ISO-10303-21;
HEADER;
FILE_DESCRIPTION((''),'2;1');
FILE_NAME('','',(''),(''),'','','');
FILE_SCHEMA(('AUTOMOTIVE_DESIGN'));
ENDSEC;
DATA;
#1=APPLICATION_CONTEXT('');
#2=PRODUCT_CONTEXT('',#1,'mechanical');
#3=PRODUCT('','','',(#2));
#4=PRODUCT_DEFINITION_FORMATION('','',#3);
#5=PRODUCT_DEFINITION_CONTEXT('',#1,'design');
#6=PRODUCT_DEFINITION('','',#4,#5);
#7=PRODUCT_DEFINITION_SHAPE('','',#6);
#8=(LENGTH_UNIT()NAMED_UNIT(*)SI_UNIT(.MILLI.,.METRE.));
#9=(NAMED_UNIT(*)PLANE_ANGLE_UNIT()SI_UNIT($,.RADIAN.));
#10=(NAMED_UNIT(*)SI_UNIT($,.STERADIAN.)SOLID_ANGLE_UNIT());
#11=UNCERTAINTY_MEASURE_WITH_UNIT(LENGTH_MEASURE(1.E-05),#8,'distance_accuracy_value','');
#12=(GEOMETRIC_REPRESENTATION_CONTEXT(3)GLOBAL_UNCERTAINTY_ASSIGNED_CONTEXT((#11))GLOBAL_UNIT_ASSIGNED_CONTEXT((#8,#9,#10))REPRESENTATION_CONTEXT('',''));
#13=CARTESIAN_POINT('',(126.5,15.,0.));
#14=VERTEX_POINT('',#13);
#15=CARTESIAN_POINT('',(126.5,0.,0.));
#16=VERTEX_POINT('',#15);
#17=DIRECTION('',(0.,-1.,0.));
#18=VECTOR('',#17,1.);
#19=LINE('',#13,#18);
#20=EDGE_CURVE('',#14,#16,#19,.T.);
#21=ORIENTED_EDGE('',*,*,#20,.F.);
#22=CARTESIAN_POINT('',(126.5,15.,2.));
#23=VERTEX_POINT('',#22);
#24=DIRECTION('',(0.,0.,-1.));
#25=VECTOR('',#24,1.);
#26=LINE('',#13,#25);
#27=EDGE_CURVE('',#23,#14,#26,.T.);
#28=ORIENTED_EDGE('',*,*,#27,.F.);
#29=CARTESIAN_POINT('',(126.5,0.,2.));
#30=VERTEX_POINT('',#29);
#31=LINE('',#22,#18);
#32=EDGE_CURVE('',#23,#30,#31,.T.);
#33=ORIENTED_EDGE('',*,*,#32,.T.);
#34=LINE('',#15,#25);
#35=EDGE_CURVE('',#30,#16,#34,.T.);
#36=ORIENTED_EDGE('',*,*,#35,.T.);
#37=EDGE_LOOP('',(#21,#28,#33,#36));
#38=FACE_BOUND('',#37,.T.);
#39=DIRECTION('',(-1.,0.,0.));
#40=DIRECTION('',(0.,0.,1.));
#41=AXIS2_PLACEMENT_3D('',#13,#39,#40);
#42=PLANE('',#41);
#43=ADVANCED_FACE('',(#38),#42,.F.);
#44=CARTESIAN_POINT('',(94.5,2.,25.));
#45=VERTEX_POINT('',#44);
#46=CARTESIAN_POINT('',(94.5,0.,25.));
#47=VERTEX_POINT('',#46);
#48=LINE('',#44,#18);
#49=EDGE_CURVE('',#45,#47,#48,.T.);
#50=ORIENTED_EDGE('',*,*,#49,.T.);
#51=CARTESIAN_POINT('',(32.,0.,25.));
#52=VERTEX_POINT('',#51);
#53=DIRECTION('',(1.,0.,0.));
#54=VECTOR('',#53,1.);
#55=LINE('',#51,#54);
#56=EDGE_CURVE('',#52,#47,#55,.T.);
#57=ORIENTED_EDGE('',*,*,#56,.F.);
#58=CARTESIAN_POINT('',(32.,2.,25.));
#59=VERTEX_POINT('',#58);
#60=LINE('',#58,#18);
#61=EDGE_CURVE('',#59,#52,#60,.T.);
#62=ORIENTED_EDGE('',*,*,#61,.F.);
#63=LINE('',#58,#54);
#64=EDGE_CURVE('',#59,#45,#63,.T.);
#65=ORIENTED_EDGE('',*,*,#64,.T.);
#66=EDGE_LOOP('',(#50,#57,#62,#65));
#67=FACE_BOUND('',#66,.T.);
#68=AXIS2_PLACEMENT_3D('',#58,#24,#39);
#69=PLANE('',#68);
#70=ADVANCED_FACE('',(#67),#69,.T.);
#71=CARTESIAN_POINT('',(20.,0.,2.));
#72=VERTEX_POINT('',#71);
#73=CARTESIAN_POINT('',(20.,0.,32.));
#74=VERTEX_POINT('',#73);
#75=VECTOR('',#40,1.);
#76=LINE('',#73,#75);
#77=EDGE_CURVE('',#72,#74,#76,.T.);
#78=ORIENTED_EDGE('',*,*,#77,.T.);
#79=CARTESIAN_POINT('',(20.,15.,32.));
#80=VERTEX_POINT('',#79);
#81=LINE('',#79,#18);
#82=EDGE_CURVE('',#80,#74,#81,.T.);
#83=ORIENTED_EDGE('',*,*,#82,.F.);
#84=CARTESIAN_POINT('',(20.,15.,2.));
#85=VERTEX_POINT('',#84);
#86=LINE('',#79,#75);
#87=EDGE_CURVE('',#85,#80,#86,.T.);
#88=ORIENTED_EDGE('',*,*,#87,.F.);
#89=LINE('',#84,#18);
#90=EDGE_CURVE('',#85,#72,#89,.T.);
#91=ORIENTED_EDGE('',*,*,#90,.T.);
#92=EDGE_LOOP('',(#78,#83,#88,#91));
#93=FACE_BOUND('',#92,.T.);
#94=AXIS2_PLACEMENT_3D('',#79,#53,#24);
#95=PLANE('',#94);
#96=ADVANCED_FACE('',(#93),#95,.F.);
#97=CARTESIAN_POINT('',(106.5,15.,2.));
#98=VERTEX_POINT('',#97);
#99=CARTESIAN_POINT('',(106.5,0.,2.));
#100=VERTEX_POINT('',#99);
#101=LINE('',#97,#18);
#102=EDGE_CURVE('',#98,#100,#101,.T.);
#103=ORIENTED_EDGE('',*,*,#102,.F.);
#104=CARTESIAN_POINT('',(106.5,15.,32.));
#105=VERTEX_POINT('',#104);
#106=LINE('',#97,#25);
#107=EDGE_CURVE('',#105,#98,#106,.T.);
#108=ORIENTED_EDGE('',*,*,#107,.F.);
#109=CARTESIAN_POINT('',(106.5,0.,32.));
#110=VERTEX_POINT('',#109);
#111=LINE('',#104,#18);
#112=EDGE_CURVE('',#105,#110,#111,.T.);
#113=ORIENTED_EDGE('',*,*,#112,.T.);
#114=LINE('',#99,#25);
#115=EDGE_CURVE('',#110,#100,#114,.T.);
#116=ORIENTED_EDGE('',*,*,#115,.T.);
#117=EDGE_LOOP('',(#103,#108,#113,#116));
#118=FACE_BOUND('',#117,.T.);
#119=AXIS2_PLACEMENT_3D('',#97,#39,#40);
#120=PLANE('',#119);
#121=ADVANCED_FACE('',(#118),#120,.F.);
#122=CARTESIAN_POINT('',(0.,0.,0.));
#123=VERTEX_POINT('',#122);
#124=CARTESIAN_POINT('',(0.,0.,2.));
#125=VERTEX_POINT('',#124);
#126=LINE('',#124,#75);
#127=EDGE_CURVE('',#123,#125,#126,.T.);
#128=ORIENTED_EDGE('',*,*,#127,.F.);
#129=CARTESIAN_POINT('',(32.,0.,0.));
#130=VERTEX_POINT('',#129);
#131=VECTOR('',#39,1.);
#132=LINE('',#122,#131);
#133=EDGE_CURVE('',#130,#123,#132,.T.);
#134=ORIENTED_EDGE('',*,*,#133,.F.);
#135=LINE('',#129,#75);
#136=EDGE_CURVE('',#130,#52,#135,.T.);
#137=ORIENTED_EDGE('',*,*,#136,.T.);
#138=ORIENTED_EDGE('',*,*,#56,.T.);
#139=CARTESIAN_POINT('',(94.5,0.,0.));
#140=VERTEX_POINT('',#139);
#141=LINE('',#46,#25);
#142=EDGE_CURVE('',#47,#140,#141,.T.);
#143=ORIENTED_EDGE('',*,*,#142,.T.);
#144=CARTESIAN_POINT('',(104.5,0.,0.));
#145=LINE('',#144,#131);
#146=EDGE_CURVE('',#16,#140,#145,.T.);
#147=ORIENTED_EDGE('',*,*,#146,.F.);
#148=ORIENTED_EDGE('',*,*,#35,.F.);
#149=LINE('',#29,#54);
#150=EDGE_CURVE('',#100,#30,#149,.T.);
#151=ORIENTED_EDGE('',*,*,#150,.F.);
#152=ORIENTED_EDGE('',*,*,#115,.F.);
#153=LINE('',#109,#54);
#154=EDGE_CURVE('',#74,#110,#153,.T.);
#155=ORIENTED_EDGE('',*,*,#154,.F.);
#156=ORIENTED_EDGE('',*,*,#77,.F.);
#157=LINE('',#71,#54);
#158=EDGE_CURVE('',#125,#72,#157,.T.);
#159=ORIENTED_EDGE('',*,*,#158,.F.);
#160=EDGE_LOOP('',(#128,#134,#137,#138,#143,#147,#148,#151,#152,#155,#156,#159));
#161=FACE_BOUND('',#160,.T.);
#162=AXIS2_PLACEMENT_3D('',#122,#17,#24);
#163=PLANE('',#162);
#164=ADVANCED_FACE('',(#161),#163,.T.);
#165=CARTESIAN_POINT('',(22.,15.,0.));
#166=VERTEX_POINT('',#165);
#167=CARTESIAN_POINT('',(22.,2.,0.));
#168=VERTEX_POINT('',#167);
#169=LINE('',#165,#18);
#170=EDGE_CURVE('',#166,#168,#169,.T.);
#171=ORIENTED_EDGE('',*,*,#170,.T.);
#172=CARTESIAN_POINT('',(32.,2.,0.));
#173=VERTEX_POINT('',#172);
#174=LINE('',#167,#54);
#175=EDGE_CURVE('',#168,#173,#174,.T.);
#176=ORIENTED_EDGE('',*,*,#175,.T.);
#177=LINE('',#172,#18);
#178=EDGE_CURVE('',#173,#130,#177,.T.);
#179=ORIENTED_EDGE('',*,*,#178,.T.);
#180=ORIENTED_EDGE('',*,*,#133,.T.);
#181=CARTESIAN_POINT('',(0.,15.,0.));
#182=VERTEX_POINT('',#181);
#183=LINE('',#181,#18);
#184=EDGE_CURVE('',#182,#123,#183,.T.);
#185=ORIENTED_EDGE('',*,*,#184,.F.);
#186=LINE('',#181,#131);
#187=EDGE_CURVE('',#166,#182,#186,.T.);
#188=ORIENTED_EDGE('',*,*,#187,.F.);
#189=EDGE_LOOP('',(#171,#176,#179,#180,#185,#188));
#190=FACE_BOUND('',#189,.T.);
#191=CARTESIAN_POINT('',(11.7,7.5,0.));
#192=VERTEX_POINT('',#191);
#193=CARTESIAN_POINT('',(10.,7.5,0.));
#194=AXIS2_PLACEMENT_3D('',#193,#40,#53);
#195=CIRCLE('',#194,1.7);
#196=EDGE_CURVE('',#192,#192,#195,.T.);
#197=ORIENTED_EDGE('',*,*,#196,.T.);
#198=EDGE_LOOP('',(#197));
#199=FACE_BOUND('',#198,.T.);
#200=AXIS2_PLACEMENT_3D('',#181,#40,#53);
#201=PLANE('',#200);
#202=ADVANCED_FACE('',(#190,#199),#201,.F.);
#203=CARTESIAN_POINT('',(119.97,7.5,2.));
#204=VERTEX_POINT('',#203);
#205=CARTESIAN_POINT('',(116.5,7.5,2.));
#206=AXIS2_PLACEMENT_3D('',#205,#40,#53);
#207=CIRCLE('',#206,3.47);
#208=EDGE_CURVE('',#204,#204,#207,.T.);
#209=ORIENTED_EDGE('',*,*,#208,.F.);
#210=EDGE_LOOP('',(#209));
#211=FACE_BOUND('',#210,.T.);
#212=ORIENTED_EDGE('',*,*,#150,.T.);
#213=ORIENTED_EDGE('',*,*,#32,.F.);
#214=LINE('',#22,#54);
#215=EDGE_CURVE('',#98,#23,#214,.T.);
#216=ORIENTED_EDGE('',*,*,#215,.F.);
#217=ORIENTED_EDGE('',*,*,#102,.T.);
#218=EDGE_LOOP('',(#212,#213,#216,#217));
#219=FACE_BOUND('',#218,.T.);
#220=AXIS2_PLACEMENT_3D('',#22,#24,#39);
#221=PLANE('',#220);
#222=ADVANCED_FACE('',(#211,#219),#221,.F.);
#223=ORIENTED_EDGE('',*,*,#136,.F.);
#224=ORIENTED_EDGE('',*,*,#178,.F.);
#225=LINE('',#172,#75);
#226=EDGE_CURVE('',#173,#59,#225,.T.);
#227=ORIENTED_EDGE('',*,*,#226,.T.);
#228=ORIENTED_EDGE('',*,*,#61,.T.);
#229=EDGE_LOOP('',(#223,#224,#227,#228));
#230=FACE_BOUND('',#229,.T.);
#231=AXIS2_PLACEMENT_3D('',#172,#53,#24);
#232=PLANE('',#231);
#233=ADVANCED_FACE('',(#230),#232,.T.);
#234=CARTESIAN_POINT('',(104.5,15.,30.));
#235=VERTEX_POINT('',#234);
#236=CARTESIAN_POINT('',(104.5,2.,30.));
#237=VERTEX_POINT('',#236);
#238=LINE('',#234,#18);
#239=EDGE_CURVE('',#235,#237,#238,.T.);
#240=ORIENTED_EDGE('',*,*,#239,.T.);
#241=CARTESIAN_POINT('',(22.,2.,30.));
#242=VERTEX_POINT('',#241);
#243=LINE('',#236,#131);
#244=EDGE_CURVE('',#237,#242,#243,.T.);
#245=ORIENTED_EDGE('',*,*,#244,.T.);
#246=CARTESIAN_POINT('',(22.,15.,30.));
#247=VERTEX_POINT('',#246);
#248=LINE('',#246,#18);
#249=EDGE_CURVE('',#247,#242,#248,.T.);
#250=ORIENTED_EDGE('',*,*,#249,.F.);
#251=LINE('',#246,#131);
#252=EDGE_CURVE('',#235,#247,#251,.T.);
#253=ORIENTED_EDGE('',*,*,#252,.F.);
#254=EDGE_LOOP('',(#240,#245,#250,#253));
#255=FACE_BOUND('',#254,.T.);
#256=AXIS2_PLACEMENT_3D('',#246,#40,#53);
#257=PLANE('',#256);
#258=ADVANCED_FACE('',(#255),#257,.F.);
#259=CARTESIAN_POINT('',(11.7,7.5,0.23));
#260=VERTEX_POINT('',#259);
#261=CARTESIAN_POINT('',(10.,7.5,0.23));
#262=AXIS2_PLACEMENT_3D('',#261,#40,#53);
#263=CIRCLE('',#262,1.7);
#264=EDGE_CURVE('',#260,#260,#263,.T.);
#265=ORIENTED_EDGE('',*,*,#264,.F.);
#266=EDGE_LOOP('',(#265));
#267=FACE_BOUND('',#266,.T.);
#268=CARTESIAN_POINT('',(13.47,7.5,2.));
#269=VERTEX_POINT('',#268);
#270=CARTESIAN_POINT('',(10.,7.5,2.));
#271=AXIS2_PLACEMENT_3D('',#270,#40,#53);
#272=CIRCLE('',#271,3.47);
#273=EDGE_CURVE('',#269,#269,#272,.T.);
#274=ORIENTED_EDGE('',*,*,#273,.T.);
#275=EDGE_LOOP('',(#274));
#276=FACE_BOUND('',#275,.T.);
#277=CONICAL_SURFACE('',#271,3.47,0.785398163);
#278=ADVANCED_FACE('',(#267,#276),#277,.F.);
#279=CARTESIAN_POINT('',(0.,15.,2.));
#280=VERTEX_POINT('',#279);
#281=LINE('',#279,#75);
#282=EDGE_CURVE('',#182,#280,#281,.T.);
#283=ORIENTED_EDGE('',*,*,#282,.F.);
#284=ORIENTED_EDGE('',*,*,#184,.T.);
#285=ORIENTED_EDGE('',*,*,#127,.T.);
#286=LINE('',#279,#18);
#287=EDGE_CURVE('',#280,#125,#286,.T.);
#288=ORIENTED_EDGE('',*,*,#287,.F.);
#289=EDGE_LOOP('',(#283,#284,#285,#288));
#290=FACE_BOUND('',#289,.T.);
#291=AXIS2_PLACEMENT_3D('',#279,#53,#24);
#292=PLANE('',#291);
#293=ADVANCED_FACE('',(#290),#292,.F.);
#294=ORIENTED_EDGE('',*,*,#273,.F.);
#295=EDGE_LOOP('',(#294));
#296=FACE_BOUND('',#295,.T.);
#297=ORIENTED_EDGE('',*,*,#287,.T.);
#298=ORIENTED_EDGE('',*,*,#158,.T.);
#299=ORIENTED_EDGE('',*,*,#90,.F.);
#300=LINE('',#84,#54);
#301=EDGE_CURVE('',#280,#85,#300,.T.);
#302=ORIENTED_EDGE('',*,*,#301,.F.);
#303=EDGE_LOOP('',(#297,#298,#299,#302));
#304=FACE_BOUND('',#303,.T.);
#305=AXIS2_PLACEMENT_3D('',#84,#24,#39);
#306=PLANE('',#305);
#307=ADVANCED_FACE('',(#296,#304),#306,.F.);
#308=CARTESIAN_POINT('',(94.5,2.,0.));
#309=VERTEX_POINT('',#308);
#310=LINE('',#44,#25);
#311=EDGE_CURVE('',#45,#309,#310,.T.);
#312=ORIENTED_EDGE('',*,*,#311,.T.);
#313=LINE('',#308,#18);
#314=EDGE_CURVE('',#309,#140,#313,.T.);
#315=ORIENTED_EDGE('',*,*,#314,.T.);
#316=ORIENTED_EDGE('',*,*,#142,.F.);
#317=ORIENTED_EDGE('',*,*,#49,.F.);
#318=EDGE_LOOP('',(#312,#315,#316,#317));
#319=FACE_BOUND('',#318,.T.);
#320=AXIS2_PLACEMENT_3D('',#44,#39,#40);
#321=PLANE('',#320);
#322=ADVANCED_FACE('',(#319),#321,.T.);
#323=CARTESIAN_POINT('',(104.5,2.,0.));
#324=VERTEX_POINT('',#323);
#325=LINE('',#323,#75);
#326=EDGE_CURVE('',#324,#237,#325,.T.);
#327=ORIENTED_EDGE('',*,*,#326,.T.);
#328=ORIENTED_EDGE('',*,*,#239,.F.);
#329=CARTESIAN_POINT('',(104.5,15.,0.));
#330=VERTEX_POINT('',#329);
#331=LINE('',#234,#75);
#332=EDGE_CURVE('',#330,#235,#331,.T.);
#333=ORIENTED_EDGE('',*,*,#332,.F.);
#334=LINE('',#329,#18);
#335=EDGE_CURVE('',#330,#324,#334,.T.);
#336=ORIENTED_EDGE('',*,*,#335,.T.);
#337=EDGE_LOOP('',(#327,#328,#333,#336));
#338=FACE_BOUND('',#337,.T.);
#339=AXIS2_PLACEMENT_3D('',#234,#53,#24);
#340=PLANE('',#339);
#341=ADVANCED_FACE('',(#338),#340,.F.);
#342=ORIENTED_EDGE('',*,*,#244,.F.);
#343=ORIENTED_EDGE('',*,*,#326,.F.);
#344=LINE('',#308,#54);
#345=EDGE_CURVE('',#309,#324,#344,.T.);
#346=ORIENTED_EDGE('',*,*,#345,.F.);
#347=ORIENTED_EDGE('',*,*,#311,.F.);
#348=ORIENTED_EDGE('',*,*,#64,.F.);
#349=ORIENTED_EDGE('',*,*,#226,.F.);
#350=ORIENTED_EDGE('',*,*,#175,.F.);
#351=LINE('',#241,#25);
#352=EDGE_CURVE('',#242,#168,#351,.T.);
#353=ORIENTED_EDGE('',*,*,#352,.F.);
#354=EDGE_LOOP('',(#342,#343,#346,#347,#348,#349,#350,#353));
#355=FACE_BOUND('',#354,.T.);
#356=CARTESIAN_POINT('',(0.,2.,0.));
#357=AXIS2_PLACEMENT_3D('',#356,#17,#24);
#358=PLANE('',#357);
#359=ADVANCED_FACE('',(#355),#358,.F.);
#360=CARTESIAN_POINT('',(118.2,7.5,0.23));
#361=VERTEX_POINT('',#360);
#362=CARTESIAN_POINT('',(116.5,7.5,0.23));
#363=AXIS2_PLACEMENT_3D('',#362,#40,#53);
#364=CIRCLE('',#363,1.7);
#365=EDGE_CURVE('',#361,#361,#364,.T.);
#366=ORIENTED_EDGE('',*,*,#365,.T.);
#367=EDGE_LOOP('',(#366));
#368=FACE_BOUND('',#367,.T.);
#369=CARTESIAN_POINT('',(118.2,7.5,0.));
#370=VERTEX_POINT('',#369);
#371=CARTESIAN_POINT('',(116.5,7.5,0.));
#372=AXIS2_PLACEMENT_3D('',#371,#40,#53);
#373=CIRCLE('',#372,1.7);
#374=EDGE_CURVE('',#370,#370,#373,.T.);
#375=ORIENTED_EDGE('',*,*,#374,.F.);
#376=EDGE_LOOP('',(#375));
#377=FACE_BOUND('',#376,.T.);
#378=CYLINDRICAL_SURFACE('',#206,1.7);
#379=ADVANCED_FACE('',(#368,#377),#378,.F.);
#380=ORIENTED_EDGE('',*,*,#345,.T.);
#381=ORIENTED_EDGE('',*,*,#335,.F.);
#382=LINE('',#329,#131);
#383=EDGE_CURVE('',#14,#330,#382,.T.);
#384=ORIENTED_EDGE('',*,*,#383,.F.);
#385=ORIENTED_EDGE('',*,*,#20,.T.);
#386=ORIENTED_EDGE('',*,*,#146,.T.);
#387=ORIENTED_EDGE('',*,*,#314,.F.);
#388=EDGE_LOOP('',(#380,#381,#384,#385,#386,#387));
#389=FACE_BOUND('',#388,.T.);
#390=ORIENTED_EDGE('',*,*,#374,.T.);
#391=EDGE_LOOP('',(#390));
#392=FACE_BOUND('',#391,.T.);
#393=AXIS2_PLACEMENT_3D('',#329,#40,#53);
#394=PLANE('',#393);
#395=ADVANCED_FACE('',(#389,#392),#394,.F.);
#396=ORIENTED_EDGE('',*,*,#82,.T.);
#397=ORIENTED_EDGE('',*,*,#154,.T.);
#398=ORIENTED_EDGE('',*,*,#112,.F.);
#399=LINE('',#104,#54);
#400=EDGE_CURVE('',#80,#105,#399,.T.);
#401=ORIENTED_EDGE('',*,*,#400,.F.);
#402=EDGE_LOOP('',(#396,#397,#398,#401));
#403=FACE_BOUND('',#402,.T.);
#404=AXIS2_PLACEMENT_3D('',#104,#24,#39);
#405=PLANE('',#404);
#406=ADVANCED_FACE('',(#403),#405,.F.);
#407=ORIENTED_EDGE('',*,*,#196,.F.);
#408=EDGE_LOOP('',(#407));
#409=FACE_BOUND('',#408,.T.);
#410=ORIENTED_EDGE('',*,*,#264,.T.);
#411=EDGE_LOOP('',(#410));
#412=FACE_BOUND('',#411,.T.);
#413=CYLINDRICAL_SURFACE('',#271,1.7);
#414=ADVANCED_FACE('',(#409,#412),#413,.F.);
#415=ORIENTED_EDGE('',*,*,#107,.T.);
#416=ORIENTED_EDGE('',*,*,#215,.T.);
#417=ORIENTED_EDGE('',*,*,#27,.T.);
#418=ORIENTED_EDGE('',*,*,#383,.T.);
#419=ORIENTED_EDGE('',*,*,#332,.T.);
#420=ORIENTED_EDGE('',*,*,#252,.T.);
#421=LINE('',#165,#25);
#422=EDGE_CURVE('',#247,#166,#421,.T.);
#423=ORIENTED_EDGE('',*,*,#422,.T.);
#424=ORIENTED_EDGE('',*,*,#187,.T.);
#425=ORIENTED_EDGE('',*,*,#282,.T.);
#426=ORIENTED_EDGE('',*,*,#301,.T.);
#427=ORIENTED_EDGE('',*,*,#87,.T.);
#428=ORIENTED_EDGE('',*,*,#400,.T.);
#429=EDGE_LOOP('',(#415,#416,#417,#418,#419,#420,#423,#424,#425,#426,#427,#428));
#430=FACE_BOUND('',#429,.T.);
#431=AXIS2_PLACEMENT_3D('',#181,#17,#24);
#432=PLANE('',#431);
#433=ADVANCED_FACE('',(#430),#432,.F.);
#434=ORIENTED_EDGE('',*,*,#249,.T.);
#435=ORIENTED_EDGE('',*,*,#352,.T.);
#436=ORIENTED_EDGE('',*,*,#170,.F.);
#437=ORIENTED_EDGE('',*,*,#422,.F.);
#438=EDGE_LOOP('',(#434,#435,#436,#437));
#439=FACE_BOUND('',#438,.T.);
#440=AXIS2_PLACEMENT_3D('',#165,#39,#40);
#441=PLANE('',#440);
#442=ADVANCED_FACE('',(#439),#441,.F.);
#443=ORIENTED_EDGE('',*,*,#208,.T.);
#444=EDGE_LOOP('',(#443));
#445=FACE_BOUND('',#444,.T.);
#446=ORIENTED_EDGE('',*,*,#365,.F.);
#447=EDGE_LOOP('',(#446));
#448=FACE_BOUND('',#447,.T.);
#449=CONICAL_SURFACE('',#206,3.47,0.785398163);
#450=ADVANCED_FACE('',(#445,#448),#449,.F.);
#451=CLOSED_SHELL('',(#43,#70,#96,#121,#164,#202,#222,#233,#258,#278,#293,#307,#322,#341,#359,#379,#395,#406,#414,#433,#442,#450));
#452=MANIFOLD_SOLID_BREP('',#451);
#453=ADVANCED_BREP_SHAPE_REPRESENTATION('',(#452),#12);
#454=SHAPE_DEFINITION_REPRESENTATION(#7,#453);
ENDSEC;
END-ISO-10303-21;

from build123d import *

# Parameters (mm, degrees)
AUFSATZ_LINEAR_AUSTRAGEN1_DEPTH                      = 15
AUFSATZ_LINEAR_AUSTRAGEN2_DEPTH                      = 2
FORMSENKUNG_F_R_M3_SENKSCHRAUBE_MIT_INNE_D           = 3.4
FORMSENKUNG_F_R_M3_SENKSCHRAUBE_MIT_INNE_DEPTH       = 10
FORMSENKUNG_F_R_M3_SENKSCHRAUBE_MIT_INNE_CSINK_D     = 6.94
FORMSENKUNG_F_R_M3_SENKSCHRAUBE_MIT_INNE_CSINK_ANGLE = 90
FORMSENKUNG_F_R_M3_SENKSCHRAUBE_MIT_INNE_TIP         = 1.021463052


with BuildPart() as part:
    # Skizze1 → Aufsatz-Linear austragen1 (new body)
    with BuildSketch(Plane(origin=(0, 0, 0), x_dir=(1, 0, 0), z_dir=(0, 1, 0))):
        Polygon((0, 0), (22, 0), (22, -30), (104.5, -30), (104.5, 0), (126.5, 0), (126.5, -2), (106.5, -2), (106.5, -32), (20, -32), (20, -2), (0, -2), align=None)
    extrude(amount=AUFSATZ_LINEAR_AUSTRAGEN1_DEPTH)

    # Skizze2 → Aufsatz-Linear austragen2 (add)
    with BuildSketch(Plane.XZ):
        Polygon((22, 0), (32, 0), (32, 25), (94.5, 25), (94.5, 0), (104.5, 0), (104.5, 30), (22, 30), align=None)
    extrude(amount=-AUFSATZ_LINEAR_AUSTRAGEN2_DEPTH)

    # Formsenkung für M3 Senkschraube mit Innensechskant1
    with Locations(Plane.XY.offset(2)):
        with Locations((10, 7.5), (116.5, 7.5)):
            CounterSinkHole(FORMSENKUNG_F_R_M3_SENKSCHRAUBE_MIT_INNE_D / 2, FORMSENKUNG_F_R_M3_SENKSCHRAUBE_MIT_INNE_CSINK_D / 2, depth=FORMSENKUNG_F_R_M3_SENKSCHRAUBE_MIT_INNE_DEPTH, counter_sink_angle=FORMSENKUNG_F_R_M3_SENKSCHRAUBE_MIT_INNE_CSINK_ANGLE)
            with Locations((0, 0, -(FORMSENKUNG_F_R_M3_SENKSCHRAUBE_MIT_INNE_DEPTH + FORMSENKUNG_F_R_M3_SENKSCHRAUBE_MIT_INNE_TIP / 2))):  # 118° drill point
                Cone(0, FORMSENKUNG_F_R_M3_SENKSCHRAUBE_MIT_INNE_D / 2, FORMSENKUNG_F_R_M3_SENKSCHRAUBE_MIT_INNE_TIP, mode=Mode.SUBTRACT)


solid = part.part
